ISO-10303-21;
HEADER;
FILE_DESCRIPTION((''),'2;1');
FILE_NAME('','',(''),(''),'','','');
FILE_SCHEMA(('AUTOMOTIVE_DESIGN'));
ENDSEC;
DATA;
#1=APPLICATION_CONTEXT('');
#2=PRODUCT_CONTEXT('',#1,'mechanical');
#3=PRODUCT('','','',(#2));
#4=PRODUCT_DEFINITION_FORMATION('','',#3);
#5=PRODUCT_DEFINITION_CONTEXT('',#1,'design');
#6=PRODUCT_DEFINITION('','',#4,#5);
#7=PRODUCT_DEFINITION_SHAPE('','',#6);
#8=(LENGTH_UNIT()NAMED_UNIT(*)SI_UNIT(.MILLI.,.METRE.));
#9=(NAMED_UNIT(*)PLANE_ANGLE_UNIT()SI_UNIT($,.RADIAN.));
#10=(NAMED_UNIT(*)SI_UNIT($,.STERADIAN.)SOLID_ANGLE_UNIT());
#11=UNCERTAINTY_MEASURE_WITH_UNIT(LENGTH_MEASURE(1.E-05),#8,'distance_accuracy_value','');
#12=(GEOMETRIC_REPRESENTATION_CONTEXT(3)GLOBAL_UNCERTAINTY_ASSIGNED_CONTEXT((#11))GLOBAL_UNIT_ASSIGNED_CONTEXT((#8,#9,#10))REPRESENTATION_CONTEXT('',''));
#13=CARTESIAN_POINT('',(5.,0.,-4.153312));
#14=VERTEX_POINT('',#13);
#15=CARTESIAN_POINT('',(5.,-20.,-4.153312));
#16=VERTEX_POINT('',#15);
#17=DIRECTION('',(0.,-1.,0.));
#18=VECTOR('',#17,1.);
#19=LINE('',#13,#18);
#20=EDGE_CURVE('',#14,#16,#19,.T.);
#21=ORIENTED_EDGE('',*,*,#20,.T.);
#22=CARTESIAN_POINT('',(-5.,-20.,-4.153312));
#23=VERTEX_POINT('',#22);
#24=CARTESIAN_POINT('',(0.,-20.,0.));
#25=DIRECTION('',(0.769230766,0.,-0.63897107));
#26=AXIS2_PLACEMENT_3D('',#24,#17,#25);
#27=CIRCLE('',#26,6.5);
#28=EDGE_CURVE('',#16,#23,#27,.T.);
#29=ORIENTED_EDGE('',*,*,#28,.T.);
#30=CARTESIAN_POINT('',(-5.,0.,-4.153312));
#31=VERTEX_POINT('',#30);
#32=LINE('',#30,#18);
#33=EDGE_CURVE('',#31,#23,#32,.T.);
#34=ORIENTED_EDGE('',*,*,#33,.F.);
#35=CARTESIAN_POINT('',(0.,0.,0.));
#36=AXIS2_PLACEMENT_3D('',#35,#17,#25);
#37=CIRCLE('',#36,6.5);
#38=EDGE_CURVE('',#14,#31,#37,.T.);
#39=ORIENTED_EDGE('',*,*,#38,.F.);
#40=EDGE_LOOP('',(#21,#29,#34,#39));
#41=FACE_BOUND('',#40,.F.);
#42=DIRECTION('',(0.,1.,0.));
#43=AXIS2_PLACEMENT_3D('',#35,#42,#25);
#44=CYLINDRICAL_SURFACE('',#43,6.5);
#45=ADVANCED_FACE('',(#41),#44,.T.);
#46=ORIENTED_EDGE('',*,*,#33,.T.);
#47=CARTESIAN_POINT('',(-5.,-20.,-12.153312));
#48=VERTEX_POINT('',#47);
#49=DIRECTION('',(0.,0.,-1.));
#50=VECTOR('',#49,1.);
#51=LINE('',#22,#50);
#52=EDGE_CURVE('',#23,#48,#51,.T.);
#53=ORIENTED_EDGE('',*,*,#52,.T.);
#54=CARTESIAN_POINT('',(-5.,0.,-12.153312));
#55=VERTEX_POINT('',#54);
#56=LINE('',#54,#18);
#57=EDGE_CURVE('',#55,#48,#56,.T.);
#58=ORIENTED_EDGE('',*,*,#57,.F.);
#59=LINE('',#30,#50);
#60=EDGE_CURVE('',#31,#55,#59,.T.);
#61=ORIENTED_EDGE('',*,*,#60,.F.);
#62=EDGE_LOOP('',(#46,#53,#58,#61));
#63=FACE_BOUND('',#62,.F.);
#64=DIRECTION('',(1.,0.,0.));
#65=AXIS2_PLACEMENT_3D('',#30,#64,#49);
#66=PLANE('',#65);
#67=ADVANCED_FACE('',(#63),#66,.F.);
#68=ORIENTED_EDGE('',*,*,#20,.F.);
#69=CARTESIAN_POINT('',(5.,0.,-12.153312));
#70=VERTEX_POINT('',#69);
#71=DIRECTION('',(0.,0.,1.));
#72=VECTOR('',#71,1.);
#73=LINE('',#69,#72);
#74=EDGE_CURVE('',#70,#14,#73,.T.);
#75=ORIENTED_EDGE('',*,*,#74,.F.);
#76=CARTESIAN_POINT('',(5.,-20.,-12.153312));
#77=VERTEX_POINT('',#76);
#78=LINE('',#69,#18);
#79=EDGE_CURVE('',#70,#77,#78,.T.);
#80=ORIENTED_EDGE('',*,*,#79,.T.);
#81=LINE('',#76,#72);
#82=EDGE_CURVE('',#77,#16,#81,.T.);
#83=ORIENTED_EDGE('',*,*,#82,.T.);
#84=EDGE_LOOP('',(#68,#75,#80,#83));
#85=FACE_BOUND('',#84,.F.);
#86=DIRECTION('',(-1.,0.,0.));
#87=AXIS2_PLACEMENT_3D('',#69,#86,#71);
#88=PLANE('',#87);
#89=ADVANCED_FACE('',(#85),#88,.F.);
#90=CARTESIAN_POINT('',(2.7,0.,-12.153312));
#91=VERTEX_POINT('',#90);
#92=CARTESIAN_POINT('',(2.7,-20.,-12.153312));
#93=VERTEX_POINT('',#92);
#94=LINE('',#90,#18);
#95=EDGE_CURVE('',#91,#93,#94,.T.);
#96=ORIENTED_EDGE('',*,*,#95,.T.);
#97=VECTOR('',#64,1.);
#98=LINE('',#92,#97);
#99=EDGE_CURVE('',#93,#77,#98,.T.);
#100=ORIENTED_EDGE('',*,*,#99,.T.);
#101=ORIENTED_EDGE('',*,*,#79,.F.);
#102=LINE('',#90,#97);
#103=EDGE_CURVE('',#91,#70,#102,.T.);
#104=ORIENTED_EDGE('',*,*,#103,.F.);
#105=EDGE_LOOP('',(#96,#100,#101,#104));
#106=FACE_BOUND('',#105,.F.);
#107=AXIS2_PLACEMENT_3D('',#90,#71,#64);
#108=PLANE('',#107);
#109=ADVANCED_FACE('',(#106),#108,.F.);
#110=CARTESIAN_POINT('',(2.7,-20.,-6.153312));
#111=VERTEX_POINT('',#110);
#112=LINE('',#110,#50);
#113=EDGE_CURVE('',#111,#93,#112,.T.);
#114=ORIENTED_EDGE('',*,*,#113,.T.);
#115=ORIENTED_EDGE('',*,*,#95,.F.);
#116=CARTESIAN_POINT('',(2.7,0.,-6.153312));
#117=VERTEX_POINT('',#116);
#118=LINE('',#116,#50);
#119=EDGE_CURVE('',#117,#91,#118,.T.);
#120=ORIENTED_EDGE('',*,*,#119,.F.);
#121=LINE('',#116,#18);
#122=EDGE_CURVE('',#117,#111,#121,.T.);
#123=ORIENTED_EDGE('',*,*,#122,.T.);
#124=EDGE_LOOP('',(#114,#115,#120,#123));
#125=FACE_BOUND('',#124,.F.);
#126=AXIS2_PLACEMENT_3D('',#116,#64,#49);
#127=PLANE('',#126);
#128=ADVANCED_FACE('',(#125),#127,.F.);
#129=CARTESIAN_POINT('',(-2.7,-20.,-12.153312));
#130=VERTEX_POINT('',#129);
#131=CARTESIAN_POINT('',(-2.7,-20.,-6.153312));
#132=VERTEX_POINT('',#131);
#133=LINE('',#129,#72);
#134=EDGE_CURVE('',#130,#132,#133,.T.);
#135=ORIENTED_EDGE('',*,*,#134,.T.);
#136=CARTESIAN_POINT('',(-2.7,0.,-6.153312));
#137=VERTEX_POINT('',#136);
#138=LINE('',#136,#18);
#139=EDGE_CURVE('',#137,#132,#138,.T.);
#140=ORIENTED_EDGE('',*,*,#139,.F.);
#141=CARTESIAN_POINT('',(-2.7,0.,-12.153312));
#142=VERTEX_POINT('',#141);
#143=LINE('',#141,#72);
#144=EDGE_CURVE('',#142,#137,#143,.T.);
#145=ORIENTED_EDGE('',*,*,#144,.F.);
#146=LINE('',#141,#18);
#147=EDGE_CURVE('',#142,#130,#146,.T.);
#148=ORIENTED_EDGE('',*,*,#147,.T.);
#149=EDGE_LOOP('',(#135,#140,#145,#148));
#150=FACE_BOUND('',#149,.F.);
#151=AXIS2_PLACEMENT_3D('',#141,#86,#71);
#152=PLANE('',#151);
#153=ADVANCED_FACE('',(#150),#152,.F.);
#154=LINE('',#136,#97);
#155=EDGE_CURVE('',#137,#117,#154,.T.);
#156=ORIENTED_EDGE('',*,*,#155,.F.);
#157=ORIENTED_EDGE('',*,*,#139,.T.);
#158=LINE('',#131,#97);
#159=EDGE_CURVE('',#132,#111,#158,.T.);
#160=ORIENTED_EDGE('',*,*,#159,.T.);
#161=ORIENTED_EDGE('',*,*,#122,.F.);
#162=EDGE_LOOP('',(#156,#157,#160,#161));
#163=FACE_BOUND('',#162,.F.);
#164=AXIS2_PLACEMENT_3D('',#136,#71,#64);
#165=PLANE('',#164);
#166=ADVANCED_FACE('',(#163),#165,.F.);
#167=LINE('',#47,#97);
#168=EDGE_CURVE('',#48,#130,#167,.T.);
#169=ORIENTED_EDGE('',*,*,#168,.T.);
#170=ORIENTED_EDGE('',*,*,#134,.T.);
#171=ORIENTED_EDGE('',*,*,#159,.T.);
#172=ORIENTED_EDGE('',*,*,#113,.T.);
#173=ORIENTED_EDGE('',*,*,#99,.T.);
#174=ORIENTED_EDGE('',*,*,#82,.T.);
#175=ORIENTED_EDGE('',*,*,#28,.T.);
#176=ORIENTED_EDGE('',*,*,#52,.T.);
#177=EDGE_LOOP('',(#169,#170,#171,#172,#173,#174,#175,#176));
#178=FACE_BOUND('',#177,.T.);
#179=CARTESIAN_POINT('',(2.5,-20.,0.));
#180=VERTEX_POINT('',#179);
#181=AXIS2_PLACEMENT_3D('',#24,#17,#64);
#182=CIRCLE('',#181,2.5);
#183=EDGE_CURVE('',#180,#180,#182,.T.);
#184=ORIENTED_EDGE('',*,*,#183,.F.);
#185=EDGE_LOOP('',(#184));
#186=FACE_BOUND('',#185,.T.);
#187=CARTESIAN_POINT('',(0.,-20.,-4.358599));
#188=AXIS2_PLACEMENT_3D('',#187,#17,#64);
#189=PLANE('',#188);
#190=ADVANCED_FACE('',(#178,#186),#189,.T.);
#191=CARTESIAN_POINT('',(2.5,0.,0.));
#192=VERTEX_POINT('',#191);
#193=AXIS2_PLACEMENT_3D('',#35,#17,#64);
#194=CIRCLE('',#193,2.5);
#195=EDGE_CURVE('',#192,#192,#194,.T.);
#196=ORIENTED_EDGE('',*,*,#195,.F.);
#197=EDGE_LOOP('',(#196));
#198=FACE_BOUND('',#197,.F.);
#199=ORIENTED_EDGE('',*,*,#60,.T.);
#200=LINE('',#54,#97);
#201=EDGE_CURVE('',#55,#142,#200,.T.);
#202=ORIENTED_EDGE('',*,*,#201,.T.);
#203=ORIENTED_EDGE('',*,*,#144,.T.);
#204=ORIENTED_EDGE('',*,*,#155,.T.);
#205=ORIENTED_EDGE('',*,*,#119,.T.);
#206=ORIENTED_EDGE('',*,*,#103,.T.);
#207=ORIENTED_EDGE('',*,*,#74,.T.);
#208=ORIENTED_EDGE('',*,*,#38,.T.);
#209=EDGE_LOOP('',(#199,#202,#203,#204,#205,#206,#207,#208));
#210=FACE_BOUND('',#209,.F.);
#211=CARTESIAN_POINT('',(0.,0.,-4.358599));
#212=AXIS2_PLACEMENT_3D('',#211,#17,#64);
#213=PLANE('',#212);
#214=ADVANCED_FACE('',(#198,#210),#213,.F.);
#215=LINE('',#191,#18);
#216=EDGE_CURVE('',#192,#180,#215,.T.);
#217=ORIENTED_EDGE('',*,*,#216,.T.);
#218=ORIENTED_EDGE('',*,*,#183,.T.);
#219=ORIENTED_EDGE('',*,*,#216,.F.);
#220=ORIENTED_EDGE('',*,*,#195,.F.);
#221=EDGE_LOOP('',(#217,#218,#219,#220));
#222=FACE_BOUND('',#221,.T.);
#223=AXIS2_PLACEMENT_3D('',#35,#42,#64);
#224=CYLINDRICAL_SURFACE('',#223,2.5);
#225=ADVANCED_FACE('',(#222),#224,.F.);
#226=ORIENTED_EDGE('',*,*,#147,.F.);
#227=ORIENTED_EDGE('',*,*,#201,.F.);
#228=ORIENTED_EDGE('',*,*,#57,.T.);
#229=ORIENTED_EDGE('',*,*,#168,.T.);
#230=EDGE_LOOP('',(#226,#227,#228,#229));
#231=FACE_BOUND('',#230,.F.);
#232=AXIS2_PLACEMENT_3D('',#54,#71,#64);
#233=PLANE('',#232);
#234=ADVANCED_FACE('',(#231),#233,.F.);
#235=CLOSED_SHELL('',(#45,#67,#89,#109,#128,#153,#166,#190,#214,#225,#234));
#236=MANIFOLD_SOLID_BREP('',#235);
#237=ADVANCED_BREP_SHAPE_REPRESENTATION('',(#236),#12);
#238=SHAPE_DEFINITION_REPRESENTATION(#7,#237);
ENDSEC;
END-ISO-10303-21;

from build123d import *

# Parameters (mm, degrees)
F0_R     = 2.5
F1_DEPTH = 20


with BuildPart() as f1:
    # F0 (on Front) → F1 (new body)
    with BuildSketch(Plane.XZ):
        with BuildLine():
            Line((5, -12.153312), (5, -4.153312))
            ThreePointArc((5, -4.153312), (0, 6.5), (-5, -4.153312))
            Line((-5, -4.153312), (-5, -12.153312))
            Line((-5, -12.153312), (-2.7, -12.153312))
            Line((-2.7, -12.153312), (-2.7, -6.153312))
            Line((-2.7, -6.153312), (2.7, -6.153312))
            Line((2.7, -6.153312), (2.7, -12.153312))
            Line((2.7, -12.153312), (5, -12.153312))
        make_face()
        Circle(F0_R, mode=Mode.SUBTRACT)
    extrude(amount=F1_DEPTH)


solid = f1.part
